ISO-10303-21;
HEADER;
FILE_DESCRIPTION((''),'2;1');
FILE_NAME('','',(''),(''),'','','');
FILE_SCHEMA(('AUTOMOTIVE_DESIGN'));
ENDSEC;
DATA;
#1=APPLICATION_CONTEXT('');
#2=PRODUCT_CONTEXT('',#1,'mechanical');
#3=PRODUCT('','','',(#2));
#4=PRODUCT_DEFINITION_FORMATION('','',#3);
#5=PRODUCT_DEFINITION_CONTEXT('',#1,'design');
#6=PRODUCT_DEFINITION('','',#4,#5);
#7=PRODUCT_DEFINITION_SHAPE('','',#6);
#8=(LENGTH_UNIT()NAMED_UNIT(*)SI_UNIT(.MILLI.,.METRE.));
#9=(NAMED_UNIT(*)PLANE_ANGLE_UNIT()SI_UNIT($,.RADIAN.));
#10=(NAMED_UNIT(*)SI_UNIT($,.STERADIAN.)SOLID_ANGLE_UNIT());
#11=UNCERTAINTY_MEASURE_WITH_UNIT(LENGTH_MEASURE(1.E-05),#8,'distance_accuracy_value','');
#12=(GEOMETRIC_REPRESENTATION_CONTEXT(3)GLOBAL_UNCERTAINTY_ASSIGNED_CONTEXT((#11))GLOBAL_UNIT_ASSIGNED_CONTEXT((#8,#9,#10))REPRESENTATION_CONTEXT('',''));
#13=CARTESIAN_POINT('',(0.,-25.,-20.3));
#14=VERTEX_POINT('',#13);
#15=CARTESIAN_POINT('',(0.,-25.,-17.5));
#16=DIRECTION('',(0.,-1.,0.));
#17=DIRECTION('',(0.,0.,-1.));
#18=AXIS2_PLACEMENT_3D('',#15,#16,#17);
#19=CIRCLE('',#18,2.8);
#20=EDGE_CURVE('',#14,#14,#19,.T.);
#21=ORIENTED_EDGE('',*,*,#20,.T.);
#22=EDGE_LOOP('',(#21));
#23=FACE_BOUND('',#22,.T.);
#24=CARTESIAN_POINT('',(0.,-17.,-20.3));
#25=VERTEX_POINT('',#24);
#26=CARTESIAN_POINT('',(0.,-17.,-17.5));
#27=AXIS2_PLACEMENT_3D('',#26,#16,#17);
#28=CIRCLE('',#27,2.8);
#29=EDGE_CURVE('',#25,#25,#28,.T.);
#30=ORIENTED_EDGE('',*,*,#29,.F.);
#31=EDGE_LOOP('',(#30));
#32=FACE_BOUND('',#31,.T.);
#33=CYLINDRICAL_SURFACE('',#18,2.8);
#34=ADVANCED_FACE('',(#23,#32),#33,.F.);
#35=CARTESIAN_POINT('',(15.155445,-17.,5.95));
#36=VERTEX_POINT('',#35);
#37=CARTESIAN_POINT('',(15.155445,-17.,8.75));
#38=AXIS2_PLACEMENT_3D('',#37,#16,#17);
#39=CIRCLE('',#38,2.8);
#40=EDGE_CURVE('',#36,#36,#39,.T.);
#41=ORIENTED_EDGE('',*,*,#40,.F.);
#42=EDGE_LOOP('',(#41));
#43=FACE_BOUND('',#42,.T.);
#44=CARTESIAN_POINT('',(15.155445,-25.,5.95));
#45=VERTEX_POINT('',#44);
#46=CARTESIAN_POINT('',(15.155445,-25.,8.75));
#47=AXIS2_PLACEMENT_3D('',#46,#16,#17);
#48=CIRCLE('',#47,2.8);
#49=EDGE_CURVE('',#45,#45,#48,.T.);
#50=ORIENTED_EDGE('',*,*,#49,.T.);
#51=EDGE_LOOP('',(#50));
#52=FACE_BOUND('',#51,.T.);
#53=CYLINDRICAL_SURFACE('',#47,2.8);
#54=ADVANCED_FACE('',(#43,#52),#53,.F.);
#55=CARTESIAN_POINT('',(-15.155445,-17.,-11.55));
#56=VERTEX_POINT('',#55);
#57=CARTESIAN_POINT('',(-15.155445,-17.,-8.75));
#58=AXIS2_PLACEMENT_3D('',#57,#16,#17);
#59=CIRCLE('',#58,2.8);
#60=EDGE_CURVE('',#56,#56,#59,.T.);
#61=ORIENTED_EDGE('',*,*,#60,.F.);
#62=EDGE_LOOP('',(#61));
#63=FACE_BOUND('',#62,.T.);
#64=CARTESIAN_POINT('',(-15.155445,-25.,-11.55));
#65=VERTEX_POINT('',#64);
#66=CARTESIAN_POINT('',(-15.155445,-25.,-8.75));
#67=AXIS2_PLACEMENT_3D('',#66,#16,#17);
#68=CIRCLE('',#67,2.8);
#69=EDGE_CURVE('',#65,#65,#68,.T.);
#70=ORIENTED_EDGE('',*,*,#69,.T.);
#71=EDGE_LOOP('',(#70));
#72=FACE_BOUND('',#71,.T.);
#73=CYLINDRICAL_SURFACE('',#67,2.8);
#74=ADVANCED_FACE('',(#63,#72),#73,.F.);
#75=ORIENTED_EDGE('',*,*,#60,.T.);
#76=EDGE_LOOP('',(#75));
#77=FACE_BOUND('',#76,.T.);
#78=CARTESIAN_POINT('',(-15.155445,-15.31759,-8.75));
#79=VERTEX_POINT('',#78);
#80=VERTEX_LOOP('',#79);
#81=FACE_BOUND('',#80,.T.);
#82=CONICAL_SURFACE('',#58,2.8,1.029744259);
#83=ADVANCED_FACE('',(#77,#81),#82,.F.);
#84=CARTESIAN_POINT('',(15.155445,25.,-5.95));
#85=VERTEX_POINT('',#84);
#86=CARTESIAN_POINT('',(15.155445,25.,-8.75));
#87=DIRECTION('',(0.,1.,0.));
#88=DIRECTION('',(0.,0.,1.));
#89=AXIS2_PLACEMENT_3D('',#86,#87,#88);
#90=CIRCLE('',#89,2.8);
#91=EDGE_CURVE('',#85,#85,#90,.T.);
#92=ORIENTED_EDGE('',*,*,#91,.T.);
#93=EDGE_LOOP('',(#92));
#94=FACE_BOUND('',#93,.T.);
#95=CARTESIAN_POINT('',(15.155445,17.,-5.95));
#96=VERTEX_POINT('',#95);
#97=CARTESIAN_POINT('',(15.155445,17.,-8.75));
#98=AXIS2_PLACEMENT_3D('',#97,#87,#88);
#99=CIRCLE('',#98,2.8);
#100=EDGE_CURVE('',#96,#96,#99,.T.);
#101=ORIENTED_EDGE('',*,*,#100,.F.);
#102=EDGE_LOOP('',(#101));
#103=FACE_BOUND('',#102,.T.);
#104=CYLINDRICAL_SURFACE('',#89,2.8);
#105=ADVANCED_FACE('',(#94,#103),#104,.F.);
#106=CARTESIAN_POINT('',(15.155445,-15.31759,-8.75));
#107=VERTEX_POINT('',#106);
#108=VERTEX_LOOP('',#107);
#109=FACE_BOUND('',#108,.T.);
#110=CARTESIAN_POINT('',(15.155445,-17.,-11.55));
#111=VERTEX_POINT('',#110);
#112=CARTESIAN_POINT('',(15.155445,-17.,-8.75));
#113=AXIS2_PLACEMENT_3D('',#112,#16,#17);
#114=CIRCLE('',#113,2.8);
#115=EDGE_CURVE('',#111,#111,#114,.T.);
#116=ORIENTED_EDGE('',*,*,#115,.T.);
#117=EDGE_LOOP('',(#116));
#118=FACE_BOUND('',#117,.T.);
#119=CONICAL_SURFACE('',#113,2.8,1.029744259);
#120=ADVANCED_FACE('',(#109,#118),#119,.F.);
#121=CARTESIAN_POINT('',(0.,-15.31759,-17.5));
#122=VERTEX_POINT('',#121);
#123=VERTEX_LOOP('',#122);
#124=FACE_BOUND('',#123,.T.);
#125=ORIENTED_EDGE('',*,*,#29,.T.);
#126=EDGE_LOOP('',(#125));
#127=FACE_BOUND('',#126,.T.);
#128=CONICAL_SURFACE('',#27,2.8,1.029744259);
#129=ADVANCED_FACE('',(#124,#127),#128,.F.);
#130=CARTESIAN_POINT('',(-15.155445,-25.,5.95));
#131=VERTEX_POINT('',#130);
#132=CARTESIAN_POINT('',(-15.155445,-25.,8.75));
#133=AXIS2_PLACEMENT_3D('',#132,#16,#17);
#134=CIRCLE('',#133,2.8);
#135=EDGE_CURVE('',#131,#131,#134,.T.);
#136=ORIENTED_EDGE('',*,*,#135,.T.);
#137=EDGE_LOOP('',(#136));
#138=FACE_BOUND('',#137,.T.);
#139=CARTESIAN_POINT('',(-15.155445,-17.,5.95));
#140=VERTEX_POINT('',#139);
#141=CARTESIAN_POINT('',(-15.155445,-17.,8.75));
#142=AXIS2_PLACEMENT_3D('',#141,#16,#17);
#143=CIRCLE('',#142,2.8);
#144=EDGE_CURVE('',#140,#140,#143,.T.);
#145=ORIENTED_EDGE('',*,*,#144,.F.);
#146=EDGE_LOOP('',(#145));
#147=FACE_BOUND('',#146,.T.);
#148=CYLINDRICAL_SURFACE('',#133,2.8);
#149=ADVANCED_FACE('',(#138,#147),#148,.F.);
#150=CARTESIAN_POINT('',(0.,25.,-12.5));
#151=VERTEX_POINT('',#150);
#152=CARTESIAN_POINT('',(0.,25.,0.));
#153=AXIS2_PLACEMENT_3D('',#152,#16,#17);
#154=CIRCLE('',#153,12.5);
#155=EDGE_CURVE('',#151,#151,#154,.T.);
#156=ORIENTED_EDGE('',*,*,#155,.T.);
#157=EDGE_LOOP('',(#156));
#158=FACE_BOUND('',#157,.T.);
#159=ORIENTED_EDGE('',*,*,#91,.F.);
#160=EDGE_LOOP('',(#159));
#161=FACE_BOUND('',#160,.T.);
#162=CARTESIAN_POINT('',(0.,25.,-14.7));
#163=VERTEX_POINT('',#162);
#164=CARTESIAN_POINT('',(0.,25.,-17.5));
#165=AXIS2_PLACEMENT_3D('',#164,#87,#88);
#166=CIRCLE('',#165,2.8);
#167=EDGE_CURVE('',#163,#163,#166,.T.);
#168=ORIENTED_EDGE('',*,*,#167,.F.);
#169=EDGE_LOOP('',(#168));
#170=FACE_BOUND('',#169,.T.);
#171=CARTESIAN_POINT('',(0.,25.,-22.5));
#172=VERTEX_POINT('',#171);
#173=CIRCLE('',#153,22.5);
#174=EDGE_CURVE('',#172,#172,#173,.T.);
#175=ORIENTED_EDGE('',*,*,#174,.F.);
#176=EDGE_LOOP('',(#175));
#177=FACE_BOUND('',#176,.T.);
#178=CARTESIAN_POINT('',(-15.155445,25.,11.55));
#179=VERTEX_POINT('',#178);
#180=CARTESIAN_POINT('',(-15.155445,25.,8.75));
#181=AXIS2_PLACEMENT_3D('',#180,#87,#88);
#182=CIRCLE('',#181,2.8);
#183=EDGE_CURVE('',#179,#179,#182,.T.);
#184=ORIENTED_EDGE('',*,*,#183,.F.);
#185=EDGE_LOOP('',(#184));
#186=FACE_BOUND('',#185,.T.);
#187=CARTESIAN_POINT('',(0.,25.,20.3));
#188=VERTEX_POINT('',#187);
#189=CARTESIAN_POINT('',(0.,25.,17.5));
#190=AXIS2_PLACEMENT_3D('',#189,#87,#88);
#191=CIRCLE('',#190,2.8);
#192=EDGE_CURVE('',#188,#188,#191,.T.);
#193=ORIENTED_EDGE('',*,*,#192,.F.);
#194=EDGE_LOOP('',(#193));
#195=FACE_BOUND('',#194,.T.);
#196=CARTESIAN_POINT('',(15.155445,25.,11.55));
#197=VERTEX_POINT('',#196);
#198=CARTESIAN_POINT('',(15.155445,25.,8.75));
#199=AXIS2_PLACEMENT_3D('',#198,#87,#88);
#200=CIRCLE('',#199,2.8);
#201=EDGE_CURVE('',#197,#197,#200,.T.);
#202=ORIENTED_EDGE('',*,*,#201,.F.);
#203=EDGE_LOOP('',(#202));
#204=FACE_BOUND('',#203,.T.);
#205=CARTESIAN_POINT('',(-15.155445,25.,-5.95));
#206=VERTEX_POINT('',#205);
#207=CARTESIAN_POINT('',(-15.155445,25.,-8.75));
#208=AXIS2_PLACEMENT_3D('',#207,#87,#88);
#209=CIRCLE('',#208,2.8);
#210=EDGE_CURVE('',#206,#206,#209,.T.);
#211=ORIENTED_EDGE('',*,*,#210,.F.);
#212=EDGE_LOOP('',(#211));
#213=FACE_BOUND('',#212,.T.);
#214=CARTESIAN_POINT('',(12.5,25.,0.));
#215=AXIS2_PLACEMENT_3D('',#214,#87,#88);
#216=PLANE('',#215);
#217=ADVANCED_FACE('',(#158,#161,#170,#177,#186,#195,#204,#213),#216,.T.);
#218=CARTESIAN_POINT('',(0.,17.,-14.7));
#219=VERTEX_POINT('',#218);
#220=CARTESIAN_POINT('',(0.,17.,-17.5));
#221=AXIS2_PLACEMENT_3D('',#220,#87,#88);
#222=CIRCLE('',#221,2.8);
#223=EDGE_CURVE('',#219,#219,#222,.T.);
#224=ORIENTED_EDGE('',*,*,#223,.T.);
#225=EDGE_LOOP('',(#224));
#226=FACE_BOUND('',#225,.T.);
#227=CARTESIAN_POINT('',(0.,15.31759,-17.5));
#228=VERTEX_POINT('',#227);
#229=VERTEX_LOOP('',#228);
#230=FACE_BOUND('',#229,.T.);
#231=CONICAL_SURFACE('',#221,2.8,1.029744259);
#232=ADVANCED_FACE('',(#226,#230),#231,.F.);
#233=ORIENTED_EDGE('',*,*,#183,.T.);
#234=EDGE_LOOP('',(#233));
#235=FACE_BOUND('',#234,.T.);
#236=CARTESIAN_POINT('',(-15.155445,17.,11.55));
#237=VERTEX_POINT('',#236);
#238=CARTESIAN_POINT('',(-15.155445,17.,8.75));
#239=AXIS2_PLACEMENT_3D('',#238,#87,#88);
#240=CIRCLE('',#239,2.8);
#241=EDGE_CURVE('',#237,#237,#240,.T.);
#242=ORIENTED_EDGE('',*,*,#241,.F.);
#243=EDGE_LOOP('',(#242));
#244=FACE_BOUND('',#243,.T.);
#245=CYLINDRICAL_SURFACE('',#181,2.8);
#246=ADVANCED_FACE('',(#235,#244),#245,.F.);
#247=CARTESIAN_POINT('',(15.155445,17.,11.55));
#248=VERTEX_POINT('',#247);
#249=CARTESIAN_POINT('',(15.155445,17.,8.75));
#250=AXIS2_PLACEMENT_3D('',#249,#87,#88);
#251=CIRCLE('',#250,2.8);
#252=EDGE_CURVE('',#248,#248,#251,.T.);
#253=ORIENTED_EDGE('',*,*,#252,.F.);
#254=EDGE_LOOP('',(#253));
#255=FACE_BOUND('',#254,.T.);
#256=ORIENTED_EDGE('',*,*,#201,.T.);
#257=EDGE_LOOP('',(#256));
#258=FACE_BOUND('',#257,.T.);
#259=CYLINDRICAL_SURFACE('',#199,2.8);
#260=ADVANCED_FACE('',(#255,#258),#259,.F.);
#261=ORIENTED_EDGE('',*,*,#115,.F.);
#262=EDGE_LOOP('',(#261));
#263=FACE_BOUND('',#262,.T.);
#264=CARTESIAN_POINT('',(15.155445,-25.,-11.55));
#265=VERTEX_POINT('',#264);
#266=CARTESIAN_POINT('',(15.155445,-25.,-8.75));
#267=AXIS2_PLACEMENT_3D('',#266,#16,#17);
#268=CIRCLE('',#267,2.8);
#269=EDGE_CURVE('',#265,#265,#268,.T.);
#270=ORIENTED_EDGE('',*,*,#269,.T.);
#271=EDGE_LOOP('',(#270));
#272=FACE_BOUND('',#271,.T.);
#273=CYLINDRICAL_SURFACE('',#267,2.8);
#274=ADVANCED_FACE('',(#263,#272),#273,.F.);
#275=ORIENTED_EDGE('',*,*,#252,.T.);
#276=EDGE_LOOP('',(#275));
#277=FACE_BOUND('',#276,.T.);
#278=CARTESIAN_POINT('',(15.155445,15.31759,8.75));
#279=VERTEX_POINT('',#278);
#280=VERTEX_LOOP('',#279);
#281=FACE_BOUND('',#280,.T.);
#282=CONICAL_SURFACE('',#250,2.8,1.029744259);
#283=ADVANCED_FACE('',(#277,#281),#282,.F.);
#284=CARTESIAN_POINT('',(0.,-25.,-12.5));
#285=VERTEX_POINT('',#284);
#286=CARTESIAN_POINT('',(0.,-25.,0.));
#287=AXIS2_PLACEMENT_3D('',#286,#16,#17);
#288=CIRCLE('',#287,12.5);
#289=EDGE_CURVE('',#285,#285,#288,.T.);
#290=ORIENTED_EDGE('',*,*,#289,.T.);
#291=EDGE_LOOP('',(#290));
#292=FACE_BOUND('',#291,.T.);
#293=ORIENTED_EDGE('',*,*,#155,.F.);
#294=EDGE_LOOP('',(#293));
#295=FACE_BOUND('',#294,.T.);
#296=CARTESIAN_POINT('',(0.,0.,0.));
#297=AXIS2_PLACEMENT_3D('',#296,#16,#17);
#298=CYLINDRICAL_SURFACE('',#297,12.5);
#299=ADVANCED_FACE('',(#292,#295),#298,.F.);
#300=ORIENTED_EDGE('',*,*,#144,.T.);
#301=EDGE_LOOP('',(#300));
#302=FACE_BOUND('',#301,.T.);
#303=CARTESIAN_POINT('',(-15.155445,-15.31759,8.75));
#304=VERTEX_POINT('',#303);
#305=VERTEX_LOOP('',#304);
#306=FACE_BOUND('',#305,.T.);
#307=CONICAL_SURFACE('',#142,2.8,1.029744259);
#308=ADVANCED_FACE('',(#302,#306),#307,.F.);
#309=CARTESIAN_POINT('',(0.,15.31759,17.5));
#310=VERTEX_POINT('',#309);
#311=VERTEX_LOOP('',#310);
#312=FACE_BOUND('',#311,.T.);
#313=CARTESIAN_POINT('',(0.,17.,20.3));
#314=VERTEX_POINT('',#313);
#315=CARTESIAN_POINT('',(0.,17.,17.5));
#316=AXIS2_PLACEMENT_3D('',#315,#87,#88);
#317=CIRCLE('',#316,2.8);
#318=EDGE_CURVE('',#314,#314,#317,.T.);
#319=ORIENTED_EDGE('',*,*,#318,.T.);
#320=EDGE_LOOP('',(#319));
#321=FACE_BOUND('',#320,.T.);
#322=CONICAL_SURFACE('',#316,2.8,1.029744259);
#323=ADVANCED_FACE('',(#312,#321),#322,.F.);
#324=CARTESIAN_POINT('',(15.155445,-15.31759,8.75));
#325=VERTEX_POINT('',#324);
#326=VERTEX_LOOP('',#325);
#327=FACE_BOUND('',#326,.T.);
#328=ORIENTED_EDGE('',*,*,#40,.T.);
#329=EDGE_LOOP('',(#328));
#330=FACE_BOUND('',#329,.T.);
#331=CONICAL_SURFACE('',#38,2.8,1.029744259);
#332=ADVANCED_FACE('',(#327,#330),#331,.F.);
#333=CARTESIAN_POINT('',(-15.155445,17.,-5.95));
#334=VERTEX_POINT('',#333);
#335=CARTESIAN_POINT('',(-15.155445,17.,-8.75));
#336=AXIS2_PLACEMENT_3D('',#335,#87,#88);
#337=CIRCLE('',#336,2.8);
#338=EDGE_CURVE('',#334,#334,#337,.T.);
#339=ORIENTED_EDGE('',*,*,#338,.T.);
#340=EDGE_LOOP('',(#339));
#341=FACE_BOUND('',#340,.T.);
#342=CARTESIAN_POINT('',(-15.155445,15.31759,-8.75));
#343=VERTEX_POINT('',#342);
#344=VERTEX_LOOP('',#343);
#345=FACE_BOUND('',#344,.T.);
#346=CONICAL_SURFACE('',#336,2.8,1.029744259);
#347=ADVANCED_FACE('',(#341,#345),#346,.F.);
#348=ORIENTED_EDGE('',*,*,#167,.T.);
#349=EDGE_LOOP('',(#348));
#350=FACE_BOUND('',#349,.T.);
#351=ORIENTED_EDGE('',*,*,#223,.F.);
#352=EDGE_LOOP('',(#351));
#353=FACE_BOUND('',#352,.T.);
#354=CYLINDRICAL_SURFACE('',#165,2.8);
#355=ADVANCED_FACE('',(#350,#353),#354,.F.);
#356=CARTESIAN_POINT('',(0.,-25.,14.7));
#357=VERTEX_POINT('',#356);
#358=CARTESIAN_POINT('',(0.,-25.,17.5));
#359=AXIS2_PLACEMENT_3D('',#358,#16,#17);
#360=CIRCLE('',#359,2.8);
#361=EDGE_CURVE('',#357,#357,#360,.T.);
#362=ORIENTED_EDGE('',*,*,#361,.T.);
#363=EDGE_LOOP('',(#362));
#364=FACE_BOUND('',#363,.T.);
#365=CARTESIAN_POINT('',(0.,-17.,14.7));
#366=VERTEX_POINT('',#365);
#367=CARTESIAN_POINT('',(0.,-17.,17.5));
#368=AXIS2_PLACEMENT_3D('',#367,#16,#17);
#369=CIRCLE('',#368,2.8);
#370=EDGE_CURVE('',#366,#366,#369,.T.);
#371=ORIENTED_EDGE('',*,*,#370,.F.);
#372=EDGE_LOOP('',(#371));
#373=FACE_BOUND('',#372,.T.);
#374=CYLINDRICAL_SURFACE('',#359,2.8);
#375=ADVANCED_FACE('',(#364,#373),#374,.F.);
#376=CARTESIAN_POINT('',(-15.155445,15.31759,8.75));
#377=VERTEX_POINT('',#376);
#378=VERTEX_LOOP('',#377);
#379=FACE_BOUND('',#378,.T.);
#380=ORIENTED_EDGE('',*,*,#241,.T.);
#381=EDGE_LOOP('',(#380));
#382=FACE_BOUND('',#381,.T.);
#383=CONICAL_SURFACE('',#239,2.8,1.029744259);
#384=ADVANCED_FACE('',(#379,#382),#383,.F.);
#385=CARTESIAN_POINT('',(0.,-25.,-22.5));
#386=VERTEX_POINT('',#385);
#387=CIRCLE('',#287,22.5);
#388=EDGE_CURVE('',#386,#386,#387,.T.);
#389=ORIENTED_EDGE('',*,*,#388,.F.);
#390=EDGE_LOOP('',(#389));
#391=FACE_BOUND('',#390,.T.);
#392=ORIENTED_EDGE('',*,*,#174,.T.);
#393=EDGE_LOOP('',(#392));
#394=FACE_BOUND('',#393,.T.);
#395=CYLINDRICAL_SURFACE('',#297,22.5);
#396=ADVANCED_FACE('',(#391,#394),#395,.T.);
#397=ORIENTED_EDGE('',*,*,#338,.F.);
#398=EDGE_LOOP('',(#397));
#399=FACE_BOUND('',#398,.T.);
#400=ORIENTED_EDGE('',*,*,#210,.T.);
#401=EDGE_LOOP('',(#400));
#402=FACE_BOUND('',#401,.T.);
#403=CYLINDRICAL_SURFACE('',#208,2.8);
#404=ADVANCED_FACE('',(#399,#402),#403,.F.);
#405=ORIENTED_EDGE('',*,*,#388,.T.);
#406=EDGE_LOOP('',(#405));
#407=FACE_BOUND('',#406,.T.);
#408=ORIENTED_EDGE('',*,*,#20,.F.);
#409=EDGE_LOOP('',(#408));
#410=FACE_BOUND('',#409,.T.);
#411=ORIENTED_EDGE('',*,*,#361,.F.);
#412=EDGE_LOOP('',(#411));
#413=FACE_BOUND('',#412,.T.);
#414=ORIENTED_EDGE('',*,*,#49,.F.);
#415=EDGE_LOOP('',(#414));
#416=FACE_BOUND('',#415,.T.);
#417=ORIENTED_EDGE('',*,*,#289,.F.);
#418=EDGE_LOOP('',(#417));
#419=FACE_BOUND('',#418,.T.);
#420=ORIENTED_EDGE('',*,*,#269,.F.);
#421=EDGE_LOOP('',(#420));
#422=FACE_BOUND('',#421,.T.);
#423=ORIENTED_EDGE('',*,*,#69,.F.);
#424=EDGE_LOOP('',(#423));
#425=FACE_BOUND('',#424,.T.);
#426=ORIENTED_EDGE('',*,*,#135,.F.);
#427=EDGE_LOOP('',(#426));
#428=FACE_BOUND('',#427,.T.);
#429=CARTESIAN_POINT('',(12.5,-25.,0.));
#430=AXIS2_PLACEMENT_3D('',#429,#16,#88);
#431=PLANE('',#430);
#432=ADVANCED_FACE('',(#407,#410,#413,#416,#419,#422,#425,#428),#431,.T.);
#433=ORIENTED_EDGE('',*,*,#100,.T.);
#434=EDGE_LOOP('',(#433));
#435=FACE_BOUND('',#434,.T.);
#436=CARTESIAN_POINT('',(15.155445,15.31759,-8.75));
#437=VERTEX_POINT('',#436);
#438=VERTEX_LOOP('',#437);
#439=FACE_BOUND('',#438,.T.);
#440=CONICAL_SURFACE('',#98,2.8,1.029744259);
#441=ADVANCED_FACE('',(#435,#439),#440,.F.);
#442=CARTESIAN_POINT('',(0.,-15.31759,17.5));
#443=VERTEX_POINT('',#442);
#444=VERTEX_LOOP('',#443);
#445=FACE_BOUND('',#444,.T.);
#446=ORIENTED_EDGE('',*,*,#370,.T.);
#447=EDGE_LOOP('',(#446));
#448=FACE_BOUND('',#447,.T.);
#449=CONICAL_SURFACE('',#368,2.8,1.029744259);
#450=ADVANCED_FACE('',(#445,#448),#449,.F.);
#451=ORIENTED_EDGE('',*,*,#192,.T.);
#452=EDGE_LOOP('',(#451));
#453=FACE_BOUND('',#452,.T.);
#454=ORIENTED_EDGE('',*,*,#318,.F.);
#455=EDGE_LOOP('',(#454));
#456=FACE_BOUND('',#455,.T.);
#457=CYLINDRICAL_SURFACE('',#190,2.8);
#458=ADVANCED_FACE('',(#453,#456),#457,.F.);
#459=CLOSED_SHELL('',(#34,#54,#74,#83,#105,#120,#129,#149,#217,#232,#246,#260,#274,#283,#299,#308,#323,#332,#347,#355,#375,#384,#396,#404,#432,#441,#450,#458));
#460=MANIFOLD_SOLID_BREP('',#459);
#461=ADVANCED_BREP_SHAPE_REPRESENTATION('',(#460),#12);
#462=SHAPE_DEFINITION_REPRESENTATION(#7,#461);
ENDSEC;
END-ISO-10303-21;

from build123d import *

# Parameters (mm, degrees)
SKETCH2_W                           = 10
SKETCH2_H                           = 25
F_5_6_5_6_DIAMETER_HOLE1_AT_2_COUNT = 2
F_5_6_5_6_DIAMETER_HOLE1_AT_2_PITCH = 17.5
F_5_6_5_6_DIAMETER_HOLE1_AT_3_COUNT = 2
F_5_6_5_6_DIAMETER_HOLE1_AT_3_PITCH = 30.310889132
F_5_6_5_6_DIAMETER_HOLE1_AT_4_COUNT = 2
F_5_6_5_6_DIAMETER_HOLE1_AT_4_PITCH = 35
F_5_6_5_6_DIAMETER_HOLE1_AT_5_COUNT = 2
F_5_6_5_6_DIAMETER_HOLE1_AT_5_PITCH = 30.310889132
F_5_6_5_6_DIAMETER_HOLE1_AT_6_COUNT = 2
F_5_6_5_6_DIAMETER_HOLE1_AT_6_PITCH = 17.5


with BuildPart() as part:
    # Sketch2 → Revolve1 (revolve)
    with BuildSketch(Plane.XY, mode=Mode.PRIVATE) as revolve1_sk:
        with Locations((17.5, 12.5)):
            Rectangle(SKETCH2_W, SKETCH2_H)
    revolve1 = revolve(revolve1_sk.sketch.rotate(Axis((0, 0, 0), (0, 1, 0)), 90), axis=Axis((0, 0, 0), (0, 1, 0)))

    # Sketch5 → Ø5.6 (5.6) Diameter Hole1 (revolve, cut)
    with BuildSketch(Plane(origin=(15.155444566, 25, 8.75), x_dir=(0, 0, 1), z_dir=(1, 0, 0))):
        Polygon((0, 0), (0, 9.682409733), (2.8, 8), (2.8, 0), align=None)
    f_5_6_5_6_diameter_hole1 = revolve(axis=Axis((15.155444566, 31.35, 8.75), (0, -1, 0)), mode=Mode.SUBTRACT)

    # Ø5.6 (5.6) Diameter Hole1 at 2: Ø5.6 (5.6) Diameter Hole1 ×2
    with Locations(*[Vector(-0.8660254037844417, 0, 0.49999999999999495) * (i * F_5_6_5_6_DIAMETER_HOLE1_AT_2_PITCH) for i in range(1, F_5_6_5_6_DIAMETER_HOLE1_AT_2_COUNT)]):
        add(f_5_6_5_6_diameter_hole1, mode=Mode.SUBTRACT)

    # Ø5.6 (5.6) Diameter Hole1 at 3: Ø5.6 (5.6) Diameter Hole1 ×2
    with Locations(*[(-i * F_5_6_5_6_DIAMETER_HOLE1_AT_3_PITCH, 0, 0) for i in range(1, F_5_6_5_6_DIAMETER_HOLE1_AT_3_COUNT)]):
        add(f_5_6_5_6_diameter_hole1, mode=Mode.SUBTRACT)

    # Ø5.6 (5.6) Diameter Hole1 at 4: Ø5.6 (5.6) Diameter Hole1 ×2
    with Locations(*[Vector(-0.8660254037844346, 0, -0.5000000000000072) * (i * F_5_6_5_6_DIAMETER_HOLE1_AT_4_PITCH) for i in range(1, F_5_6_5_6_DIAMETER_HOLE1_AT_4_COUNT)]):
        add(f_5_6_5_6_diameter_hole1, mode=Mode.SUBTRACT)

    # Ø5.6 (5.6) Diameter Hole1 at 5: Ø5.6 (5.6) Diameter Hole1 ×2
    with Locations(*[Vector(-0.49999999999999195, 0, -0.8660254037844433) * (i * F_5_6_5_6_DIAMETER_HOLE1_AT_5_PITCH) for i in range(1, F_5_6_5_6_DIAMETER_HOLE1_AT_5_COUNT)]):
        add(f_5_6_5_6_diameter_hole1, mode=Mode.SUBTRACT)

    # Ø5.6 (5.6) Diameter Hole1 at 6: Ø5.6 (5.6) Diameter Hole1 ×2
    with Locations(*[(0, 0, -i * F_5_6_5_6_DIAMETER_HOLE1_AT_6_PITCH) for i in range(1, F_5_6_5_6_DIAMETER_HOLE1_AT_6_COUNT)]):
        add(f_5_6_5_6_diameter_hole1, mode=Mode.SUBTRACT)

    # Mirror1: Revolve1, Ø5.6 (5.6) Diameter Hole1 across plane
    add(revolve1.mirror(Plane.ZX))
    add(f_5_6_5_6_diameter_hole1.mirror(Plane.ZX), mode=Mode.SUBTRACT)

    # Mirror1 copy 1 sketch → Mirror1 copy 1 (revolve, cut)
    with BuildSketch(Plane(origin=(0, -25, 17.5), x_dir=(0, 0, 1), z_dir=(1, 0, 0))):
        Polygon((0, 0), (0, -9.682409733), (2.8, -8), (2.8, 0), align=None)
    revolve(axis=Axis((0, -31.35, 17.5), (0, -1, 0)), mode=Mode.SUBTRACT)

    # Mirror1 copy 2 sketch → Mirror1 copy 2 (revolve, cut)
    with BuildSketch(Plane(origin=(-15.155444566, -25, 8.75), x_dir=(0, 0, 1), z_dir=(1, 0, 0))):
        Polygon((0, 0), (0, -9.682409733), (2.8, -8), (2.8, 0), align=None)
    revolve(axis=Axis((-15.155444566, -31.35, 8.75), (0, -1, 0)), mode=Mode.SUBTRACT)

    # Mirror1 copy 3 sketch → Mirror1 copy 3 (revolve, cut)
    with BuildSketch(Plane(origin=(-15.155444566, -25, -8.75), x_dir=(0, 0, 1), z_dir=(1, 0, 0))):
        Polygon((0, 0), (0, -9.682409733), (2.8, -8), (2.8, 0), align=None)
    revolve(axis=Axis((-15.155444566, -31.35, -8.75), (0, -1, 0)), mode=Mode.SUBTRACT)

    # Mirror1 copy 4 sketch → Mirror1 copy 4 (revolve, cut)
    with BuildSketch(Plane(origin=(0, -25, -17.5), x_dir=(0, 0, 1), z_dir=(1, 0, 0))):
        Polygon((0, 0), (0, -9.682409733), (2.8, -8), (2.8, 0), align=None)
    revolve(axis=Axis((0, -31.35, -17.5), (0, -1, 0)), mode=Mode.SUBTRACT)

    # Mirror1 copy 5 sketch → Mirror1 copy 5 (revolve, cut)
    with BuildSketch(Plane(origin=(15.155444566, -25, -8.75), x_dir=(0, 0, 1), z_dir=(1, 0, 0))):
        Polygon((0, 0), (0, -9.682409733), (2.8, -8), (2.8, 0), align=None)
    revolve(axis=Axis((15.155444566, -31.35, -8.75), (0, -1, 0)), mode=Mode.SUBTRACT)


solid = part.part
